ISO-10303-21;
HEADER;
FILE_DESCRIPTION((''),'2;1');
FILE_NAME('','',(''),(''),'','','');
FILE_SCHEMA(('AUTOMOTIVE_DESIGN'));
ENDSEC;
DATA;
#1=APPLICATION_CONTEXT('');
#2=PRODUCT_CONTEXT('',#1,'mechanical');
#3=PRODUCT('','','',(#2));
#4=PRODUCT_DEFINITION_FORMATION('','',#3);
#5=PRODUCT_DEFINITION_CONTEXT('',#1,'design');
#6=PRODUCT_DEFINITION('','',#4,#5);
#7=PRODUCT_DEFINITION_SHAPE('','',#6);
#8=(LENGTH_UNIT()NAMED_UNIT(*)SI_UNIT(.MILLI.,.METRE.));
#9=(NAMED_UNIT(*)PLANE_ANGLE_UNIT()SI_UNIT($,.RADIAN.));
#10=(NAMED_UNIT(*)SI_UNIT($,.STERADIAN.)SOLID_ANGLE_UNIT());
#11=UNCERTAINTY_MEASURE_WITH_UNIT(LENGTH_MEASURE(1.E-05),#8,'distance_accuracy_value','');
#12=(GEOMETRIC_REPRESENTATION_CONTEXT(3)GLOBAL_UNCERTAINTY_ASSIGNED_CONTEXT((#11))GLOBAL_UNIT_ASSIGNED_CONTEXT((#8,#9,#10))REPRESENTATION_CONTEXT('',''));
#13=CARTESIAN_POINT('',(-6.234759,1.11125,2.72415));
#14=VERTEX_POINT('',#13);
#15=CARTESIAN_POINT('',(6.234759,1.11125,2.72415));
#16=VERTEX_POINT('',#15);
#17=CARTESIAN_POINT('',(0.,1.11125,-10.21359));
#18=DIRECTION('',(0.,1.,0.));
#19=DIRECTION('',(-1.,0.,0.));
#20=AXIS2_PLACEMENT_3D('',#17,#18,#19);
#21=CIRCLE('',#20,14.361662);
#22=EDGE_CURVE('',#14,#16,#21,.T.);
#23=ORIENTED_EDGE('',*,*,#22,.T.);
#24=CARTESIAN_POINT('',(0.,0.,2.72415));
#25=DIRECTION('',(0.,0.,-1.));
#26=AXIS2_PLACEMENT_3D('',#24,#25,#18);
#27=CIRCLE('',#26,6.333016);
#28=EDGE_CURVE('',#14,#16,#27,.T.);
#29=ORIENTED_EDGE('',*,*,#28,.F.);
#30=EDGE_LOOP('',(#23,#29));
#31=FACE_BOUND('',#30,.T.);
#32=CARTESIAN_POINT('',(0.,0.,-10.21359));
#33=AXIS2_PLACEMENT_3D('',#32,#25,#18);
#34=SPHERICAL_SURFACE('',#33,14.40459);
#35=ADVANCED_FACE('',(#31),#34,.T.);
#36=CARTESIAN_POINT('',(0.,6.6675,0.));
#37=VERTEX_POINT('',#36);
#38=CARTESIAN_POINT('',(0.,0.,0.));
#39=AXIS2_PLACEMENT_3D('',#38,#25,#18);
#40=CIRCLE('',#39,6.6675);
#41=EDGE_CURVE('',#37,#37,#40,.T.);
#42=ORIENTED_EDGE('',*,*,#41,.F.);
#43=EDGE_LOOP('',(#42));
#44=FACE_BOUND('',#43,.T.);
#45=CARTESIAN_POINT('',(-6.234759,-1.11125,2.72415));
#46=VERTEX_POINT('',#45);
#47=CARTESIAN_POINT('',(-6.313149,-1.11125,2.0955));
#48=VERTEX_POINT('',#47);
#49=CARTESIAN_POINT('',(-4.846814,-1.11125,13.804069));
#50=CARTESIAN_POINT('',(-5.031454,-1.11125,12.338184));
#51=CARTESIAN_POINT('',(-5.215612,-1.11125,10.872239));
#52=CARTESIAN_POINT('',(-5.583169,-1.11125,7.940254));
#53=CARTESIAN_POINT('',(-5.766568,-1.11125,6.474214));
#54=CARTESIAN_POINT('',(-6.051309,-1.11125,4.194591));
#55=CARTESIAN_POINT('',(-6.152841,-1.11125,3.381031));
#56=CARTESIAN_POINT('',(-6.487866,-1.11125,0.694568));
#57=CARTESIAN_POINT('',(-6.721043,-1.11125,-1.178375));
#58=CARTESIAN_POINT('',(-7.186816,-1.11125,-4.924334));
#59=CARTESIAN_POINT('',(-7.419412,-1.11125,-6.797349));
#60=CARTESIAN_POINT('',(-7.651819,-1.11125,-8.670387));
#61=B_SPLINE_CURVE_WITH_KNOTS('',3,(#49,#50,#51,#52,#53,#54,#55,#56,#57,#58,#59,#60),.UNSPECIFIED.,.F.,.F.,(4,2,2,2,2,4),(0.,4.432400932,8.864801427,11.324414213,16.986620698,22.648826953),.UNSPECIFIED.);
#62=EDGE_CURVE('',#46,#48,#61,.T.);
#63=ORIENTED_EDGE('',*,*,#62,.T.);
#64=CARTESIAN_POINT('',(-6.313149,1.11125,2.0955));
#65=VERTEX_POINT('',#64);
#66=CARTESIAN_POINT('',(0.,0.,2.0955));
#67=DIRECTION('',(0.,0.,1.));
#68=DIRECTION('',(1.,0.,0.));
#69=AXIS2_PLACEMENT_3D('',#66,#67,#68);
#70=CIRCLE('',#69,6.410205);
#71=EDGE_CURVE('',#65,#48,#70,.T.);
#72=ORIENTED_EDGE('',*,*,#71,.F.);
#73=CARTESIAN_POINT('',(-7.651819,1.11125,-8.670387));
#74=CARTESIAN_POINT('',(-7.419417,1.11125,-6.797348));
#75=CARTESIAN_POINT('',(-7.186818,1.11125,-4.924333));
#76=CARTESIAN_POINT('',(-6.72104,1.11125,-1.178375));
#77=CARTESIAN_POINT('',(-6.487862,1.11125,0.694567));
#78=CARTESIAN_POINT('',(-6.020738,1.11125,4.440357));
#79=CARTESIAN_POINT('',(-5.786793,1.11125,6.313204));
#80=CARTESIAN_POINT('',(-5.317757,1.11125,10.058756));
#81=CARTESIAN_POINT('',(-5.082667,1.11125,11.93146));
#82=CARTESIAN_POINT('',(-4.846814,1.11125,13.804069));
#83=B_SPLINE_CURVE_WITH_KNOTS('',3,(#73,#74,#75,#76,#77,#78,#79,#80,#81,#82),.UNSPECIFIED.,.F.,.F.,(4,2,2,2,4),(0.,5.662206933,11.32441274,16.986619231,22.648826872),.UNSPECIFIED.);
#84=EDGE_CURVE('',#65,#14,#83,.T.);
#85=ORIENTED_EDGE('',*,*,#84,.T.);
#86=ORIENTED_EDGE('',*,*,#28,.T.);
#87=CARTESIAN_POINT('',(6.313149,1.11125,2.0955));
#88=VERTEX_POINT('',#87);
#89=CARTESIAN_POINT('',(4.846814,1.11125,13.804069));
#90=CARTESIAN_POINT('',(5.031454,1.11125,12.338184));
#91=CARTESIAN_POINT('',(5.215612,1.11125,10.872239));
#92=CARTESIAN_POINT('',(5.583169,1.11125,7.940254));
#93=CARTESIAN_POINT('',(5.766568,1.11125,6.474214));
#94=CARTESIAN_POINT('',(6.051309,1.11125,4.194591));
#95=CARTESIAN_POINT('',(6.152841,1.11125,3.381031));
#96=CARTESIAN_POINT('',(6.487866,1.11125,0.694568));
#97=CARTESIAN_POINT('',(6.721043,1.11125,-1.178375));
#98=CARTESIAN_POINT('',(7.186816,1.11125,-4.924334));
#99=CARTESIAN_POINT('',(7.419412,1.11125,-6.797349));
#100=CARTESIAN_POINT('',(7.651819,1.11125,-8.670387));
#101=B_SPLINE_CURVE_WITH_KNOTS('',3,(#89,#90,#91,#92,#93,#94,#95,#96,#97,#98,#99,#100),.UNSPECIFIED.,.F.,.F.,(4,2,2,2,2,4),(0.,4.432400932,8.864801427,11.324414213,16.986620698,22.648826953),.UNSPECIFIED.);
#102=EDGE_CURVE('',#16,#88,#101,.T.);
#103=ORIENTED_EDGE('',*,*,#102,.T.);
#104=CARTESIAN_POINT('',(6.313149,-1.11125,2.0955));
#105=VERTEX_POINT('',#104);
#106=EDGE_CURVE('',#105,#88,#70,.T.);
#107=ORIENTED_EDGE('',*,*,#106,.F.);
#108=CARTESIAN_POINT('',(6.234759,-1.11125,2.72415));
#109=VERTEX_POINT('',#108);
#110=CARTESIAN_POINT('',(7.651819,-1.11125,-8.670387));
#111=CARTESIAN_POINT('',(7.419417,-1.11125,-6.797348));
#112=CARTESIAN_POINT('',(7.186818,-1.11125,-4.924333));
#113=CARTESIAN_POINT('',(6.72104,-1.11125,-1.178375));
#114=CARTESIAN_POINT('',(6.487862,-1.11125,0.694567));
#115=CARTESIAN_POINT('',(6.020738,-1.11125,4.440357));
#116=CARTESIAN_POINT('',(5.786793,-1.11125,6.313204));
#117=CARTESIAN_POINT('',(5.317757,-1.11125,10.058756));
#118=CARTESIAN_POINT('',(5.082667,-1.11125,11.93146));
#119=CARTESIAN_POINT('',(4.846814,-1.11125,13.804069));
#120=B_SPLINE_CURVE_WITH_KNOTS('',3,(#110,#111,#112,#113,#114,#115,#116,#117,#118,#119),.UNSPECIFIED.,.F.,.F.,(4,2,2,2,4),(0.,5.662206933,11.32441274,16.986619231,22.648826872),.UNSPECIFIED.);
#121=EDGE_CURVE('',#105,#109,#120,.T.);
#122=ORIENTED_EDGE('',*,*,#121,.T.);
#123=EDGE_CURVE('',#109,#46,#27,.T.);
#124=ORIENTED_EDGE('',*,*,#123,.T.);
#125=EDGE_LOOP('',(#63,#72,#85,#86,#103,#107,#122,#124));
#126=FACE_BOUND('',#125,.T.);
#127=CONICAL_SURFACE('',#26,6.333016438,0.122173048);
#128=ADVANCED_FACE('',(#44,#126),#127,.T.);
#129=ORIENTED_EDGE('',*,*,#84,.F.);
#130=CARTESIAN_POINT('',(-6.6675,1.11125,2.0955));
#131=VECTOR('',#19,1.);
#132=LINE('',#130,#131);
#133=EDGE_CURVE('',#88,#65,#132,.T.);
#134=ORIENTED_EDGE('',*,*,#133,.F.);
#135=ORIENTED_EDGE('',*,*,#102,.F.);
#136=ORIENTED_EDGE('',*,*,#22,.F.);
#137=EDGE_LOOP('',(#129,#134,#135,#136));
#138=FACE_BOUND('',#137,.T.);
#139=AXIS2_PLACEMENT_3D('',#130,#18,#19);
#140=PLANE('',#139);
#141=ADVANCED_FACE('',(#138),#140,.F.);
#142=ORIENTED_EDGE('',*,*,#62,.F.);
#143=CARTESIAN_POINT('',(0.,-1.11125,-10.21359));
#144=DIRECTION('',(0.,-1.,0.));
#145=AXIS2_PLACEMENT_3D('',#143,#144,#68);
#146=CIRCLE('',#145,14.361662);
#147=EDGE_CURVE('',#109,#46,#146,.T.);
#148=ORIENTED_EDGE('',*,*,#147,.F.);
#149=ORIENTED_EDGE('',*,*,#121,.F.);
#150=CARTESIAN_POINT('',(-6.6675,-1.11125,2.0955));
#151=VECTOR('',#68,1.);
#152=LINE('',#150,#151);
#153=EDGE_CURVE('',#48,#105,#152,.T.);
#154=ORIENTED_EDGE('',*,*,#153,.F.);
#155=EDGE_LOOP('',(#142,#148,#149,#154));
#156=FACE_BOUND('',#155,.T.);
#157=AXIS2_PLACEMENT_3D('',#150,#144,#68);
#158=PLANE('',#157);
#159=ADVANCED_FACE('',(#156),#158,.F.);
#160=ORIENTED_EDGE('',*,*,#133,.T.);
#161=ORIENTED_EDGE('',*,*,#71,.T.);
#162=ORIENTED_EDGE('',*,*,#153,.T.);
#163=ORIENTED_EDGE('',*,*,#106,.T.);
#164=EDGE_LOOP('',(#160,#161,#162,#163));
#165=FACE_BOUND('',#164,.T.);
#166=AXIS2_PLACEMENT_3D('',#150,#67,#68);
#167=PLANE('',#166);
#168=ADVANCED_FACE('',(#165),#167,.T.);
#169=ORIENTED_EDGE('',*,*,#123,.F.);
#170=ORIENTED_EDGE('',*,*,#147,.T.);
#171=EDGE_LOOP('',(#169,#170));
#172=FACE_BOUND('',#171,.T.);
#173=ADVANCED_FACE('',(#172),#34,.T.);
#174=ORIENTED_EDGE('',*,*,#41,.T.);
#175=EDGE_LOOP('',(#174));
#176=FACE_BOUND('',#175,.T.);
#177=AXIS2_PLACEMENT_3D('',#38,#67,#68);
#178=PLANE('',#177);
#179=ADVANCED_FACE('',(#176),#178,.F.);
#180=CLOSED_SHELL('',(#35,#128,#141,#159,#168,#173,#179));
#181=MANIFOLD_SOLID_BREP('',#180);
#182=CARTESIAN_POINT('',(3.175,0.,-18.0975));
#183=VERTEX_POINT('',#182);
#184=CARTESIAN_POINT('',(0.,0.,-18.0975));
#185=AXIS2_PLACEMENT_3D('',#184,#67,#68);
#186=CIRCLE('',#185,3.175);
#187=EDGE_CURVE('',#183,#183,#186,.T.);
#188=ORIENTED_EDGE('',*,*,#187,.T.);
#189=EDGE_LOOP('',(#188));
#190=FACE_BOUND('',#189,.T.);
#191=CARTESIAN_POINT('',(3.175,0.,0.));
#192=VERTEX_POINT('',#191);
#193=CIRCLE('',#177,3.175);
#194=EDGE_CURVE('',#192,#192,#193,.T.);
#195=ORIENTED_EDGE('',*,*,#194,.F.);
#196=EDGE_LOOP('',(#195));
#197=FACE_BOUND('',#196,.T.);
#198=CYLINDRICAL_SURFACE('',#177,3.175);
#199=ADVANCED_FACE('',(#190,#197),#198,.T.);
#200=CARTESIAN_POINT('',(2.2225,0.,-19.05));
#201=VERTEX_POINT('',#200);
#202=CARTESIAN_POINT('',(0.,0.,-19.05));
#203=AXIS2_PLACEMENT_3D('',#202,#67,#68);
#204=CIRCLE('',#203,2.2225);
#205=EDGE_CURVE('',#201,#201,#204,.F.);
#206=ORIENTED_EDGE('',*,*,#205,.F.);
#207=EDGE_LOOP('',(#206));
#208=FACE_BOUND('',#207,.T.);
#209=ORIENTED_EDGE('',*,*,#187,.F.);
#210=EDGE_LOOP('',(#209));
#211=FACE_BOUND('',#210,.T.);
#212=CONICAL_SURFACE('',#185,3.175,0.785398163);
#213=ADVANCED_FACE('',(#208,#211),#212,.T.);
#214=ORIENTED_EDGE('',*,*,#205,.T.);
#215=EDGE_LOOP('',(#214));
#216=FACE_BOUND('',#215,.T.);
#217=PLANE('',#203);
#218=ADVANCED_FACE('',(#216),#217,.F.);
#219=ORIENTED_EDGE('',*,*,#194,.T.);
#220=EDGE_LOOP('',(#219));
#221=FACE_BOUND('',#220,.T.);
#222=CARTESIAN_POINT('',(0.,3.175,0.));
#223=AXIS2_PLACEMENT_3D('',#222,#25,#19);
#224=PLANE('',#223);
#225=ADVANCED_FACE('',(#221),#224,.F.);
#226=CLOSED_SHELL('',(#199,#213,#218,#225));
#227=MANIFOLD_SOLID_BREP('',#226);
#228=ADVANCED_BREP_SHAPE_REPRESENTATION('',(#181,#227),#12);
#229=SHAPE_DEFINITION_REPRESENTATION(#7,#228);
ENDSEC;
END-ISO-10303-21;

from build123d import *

# Parameters (mm, degrees)
SKETCH1_R       = 6.6675
EXTRUDE3_DEPTH  = 4.191
SKETCH4_W       = 19.05
SKETCH4_H       = 3.175
CHAMFER2_SIZE   = 0.9525
SKETCH31_W      = 13.335
SKETCH31_H      = 2.2225
EXTRUDE15_DEPTH = 2.0955


with BuildPart() as part:
    # Sketch1 → Extrude3 (new body)
    with BuildSketch(Plane.XY):
        Circle(SKETCH1_R)
    extrude(amount=EXTRUDE3_DEPTH)

    # Sketch11 → Cut-Revolve3 (revolve, cut)
    with BuildSketch(Plane(origin=(0, 0, 0), x_dir=(0, 0, -1), z_dir=(1, 0, 0))):
        with BuildLine():
            Line((-4.445, 6.9342), (0, 6.9342))
            Line((0, 6.9342), (0, 6.6675))
            Line((0, 6.6675), (-2.72415, 6.333016438))
            ThreePointArc((-2.72415, 6.333016438), (-3.819496854, 3.250336372), (-4.191, 0))
            Line((-4.191, 0), (-4.445, 0))
            Line((-4.445, 0), (-4.445, 6.9342))
        make_face()
    revolve(axis=Axis((0, 0, 0), (0, 0, 1)), mode=Mode.SUBTRACT)

    # Sketch31 → Extrude15 (cut)
    with BuildSketch(Plane.XY.offset(4.191)):
        Rectangle(SKETCH31_W, SKETCH31_H)
    extrude(amount=-EXTRUDE15_DEPTH, mode=Mode.SUBTRACT)


with BuildPart() as body_2:
    # Sketch4 → Revolve1 (revolve)
    with BuildSketch(Plane(origin=(0, 0, 0), x_dir=(0, 0, -1), z_dir=(1, 0, 0)), mode=Mode.PRIVATE) as revolve1_sk:
        with Locations((9.525, 1.5875)):
            Rectangle(SKETCH4_W, SKETCH4_H)
    revolve(revolve1_sk.sketch.rotate(Axis((0, 0, 0), (0, 0, -1)), 90), axis=Axis((0, 0, 0), (0, 0, -1)))

    # Chamfer2
    chamfer2_edges = [body_2.edges().sort_by_distance(p)[0] for p in [
        (-3.175, 0, -19.05),
    ]]
    chamfer(chamfer2_edges, length=CHAMFER2_SIZE)


solid = Compound([part.part, body_2.part])
